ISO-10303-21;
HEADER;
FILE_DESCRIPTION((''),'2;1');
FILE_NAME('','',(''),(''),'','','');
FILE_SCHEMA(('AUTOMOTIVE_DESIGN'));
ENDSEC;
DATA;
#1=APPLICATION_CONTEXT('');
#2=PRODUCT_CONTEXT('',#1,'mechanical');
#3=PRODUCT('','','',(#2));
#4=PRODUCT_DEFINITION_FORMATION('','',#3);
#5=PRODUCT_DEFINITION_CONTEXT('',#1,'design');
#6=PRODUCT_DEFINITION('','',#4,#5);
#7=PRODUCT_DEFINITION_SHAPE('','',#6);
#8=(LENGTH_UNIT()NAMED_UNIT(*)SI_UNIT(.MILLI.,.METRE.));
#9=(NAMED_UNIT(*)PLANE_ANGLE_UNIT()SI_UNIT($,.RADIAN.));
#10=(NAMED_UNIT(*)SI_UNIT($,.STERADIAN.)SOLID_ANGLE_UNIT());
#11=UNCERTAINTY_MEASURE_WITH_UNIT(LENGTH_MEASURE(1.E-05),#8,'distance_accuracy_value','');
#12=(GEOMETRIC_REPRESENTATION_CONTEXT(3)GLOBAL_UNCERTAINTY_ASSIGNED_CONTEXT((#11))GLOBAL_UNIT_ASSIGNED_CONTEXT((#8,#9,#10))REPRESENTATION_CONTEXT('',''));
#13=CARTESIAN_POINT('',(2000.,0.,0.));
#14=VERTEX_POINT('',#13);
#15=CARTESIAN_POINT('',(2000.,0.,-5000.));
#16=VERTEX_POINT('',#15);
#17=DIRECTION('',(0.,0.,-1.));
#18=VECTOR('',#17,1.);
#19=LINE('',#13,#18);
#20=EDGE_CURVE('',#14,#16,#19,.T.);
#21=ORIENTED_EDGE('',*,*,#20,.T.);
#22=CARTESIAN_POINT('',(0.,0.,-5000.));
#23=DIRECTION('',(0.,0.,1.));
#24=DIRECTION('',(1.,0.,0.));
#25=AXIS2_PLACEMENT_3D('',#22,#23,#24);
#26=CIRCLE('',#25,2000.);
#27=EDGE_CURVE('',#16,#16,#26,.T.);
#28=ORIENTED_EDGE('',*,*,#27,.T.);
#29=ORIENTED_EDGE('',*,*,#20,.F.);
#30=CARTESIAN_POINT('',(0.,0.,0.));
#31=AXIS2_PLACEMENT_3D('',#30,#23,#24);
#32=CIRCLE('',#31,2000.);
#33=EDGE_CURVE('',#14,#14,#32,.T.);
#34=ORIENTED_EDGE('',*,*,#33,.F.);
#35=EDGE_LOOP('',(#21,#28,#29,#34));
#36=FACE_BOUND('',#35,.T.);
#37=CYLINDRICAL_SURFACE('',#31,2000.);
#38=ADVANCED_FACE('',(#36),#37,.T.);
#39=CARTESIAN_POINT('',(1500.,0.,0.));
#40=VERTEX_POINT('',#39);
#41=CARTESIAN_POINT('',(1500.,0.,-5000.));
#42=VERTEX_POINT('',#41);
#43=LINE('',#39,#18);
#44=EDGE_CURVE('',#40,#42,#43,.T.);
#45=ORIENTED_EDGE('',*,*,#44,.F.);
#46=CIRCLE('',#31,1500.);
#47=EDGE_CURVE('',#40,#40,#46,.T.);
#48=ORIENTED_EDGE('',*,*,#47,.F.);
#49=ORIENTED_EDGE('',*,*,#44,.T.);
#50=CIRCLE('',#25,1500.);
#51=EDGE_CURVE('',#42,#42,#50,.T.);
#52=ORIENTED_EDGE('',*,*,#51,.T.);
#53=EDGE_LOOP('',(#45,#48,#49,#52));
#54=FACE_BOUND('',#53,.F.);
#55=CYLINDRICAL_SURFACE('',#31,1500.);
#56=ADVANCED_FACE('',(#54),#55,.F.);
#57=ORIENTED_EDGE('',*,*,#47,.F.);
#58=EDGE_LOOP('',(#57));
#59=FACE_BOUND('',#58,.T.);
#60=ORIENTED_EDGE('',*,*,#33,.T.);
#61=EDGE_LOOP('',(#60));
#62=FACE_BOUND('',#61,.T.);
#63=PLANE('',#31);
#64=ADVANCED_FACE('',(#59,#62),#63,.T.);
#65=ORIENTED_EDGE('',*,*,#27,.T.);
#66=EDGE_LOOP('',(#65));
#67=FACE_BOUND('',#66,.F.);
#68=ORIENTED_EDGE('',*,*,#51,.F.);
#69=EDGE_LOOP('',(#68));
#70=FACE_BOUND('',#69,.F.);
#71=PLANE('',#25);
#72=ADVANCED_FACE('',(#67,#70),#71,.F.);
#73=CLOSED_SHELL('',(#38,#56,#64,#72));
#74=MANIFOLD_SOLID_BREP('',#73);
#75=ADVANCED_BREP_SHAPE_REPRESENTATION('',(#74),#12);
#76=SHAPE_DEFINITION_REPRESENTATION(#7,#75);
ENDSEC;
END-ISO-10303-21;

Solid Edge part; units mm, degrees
sketch "Sketch1" plane through (0, 0, 0) normal (0, 0, 1) x (1, 0, 0)
  circle A0 centre (0, 0) radius 1500
  circle A1 centre (0, 0) radius 2000
extrude "Protrusion1" add sketch "Sketch1" against normal blind 5000
